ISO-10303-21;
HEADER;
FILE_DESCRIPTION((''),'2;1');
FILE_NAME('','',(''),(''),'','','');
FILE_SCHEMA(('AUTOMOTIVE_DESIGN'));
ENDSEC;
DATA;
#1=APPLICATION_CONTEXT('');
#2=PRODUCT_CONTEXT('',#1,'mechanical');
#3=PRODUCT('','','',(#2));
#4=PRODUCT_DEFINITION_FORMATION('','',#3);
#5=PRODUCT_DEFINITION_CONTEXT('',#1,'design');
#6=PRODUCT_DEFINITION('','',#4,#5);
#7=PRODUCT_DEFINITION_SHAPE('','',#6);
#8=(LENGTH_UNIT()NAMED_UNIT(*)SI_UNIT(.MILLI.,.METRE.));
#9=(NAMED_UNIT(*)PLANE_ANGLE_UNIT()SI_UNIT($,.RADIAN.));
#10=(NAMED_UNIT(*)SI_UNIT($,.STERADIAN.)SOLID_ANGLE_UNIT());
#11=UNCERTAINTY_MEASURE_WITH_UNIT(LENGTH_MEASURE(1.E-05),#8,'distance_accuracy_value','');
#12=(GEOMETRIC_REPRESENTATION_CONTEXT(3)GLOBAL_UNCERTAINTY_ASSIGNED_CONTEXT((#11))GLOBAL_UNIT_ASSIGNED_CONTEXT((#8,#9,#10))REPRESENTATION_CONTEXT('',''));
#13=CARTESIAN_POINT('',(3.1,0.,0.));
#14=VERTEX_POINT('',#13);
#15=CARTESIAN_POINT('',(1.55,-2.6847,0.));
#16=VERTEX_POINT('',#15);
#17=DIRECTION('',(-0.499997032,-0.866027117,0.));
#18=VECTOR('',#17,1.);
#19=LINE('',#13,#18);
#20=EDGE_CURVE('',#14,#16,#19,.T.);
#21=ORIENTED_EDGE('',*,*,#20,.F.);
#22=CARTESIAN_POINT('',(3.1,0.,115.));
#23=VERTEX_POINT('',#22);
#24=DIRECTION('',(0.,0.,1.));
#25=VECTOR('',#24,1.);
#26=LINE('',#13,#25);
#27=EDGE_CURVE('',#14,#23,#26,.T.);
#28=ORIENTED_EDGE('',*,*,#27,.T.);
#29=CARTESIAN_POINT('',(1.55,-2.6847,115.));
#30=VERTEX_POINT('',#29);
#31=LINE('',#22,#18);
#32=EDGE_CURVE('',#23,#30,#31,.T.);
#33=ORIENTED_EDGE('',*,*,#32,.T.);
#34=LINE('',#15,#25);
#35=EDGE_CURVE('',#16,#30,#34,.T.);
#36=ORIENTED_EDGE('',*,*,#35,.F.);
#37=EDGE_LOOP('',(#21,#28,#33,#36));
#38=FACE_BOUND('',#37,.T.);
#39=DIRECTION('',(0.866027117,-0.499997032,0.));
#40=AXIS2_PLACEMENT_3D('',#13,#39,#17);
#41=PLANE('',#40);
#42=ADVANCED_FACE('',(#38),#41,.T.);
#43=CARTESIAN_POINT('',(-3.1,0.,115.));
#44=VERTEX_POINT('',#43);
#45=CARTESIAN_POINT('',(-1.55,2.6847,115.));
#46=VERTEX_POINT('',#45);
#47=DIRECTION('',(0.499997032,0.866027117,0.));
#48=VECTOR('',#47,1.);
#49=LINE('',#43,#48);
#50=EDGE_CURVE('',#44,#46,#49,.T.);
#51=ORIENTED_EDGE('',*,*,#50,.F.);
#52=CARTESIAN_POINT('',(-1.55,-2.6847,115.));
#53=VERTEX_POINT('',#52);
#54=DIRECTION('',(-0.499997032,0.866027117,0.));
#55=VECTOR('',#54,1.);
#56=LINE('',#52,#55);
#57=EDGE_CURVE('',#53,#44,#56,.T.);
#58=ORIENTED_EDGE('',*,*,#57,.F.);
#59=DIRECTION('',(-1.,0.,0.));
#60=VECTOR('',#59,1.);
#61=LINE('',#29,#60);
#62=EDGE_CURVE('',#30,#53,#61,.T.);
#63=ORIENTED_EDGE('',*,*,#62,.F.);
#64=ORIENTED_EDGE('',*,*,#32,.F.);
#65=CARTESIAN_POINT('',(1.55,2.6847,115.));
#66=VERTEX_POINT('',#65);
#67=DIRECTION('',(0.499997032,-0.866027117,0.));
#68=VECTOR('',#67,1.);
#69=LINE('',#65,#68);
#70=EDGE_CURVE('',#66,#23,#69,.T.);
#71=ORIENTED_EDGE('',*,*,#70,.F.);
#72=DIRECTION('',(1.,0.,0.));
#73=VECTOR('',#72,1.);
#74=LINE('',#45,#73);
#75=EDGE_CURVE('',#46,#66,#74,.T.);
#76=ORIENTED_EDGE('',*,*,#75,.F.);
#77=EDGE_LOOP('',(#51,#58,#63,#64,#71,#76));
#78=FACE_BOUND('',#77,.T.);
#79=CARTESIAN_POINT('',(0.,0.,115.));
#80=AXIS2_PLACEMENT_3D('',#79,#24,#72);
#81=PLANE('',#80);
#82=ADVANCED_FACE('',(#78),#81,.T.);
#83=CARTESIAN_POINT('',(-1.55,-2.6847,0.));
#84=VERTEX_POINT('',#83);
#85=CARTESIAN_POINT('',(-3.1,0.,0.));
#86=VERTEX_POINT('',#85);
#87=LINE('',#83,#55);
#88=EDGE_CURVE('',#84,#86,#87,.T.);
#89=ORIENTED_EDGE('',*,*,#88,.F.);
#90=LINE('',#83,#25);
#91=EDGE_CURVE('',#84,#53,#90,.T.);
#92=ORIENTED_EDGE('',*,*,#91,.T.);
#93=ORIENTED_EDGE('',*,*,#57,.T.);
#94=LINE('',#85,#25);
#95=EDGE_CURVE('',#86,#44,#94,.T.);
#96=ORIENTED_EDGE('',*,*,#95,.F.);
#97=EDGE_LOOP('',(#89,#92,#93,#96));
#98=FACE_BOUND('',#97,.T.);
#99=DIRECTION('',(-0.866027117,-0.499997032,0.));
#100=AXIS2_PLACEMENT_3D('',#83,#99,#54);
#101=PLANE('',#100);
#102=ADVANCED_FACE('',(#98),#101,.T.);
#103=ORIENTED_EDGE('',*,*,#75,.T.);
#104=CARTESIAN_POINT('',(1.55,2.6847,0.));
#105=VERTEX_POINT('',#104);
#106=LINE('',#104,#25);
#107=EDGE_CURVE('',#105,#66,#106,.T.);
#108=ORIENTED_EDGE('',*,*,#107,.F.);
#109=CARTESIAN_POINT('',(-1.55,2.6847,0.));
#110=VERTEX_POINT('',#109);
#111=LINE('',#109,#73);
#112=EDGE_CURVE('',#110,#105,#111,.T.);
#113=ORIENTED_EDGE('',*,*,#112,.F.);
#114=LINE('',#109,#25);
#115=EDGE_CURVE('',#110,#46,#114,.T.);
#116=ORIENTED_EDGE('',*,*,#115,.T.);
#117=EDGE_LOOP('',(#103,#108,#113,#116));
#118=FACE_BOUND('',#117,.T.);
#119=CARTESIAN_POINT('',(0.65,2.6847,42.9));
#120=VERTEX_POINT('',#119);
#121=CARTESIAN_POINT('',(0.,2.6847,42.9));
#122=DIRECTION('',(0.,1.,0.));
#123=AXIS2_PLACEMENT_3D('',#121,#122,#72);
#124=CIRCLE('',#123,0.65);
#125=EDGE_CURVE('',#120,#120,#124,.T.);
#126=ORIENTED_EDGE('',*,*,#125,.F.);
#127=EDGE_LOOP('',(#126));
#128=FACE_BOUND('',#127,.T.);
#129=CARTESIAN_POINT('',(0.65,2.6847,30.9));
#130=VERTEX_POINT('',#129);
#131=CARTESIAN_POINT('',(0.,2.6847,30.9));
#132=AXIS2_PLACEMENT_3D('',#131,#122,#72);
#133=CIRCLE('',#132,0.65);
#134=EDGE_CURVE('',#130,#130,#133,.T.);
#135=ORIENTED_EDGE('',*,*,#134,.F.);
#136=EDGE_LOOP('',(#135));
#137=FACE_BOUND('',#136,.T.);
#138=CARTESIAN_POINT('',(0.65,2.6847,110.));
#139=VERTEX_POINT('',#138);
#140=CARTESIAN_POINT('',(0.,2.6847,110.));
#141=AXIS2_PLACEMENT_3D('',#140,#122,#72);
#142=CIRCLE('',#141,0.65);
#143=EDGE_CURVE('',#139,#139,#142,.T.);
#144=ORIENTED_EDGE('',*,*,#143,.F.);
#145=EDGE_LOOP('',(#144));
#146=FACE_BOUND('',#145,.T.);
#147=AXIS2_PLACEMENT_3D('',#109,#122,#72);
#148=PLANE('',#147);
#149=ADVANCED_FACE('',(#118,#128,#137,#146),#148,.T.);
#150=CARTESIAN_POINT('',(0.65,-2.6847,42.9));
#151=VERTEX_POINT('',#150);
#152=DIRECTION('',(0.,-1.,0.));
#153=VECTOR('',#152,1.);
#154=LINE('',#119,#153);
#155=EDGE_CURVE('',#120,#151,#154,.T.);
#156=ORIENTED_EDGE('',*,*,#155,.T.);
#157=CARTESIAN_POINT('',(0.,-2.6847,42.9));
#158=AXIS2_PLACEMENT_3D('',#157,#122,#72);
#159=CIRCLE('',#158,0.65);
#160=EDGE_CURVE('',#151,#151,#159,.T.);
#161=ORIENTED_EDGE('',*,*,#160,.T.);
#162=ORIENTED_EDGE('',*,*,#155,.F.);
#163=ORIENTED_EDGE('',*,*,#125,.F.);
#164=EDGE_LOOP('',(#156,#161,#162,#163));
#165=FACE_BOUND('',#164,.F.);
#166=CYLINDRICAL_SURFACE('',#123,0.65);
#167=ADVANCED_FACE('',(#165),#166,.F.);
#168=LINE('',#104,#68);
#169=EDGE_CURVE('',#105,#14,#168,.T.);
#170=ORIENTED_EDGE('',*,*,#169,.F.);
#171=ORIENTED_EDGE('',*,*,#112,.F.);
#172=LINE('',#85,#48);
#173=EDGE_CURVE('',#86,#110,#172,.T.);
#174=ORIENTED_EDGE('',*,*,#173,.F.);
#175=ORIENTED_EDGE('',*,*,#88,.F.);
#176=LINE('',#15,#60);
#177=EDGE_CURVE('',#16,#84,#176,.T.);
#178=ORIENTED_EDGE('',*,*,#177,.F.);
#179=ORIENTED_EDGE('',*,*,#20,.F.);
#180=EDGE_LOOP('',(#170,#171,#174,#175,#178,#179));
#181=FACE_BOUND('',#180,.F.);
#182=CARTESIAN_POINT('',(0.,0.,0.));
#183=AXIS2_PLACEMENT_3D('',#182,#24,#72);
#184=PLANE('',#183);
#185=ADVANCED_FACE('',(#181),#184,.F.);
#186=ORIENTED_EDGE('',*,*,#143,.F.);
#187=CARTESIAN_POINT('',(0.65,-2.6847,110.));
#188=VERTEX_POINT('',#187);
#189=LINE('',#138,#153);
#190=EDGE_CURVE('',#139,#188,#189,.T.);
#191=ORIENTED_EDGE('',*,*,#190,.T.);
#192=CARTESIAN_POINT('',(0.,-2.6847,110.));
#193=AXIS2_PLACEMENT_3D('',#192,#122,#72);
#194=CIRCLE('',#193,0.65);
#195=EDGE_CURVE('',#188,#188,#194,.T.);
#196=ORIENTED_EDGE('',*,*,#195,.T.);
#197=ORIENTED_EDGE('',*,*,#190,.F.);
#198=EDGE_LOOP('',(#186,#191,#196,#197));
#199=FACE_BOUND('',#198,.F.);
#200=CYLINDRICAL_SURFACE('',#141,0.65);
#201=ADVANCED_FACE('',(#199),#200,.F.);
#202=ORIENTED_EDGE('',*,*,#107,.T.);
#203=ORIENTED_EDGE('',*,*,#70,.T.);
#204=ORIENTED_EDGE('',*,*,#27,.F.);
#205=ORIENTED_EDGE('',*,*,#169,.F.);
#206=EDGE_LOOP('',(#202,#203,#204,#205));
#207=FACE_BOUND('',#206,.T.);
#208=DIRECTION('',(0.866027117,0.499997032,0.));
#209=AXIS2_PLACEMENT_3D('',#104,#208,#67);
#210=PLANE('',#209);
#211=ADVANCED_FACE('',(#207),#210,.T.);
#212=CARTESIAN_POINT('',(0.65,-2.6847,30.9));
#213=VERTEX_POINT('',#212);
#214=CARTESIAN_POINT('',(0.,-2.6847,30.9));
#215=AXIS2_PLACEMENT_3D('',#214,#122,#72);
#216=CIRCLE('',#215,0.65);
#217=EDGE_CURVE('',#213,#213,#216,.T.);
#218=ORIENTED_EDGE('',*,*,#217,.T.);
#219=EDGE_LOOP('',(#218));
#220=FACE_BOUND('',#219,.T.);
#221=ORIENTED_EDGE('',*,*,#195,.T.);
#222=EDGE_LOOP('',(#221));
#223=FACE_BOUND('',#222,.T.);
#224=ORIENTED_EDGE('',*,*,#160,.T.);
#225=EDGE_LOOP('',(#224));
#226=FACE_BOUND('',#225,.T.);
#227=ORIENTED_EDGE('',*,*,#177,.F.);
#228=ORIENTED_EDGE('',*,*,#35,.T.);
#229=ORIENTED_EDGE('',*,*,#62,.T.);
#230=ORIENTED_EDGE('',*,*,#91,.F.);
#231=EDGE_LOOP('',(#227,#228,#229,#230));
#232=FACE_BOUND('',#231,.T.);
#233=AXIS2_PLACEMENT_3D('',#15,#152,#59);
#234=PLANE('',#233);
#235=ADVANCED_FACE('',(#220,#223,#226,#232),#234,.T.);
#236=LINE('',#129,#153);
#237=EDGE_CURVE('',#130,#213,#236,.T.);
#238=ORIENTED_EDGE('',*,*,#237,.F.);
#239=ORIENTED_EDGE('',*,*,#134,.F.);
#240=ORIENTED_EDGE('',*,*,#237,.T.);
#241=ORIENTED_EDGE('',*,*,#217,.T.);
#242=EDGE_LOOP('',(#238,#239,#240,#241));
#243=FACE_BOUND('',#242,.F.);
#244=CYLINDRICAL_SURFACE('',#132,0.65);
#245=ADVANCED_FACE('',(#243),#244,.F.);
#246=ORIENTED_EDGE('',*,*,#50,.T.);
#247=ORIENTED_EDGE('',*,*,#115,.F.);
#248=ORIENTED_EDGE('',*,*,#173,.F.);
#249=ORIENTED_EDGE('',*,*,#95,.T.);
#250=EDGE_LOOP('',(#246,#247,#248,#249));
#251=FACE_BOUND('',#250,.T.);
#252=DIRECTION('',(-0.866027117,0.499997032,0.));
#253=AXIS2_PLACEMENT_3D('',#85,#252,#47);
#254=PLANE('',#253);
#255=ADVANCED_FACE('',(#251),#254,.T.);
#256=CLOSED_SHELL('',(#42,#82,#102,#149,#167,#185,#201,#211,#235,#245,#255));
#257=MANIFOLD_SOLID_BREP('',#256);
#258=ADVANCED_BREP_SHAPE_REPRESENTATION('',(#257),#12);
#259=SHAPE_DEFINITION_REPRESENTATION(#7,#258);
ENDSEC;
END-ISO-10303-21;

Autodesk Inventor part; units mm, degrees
ref_plane "YZ Plane" through (0, 0, 0) normal (1, 0, 0) x (0, 1, 0)
ref_plane "XZ Plane" through (0, 0, 0) normal (0, 1, 0) x (-1, 0, 0)
ref_plane "XY Plane" through (0, 0, 0) normal (0, 0, 1) x (1, 0, 0)
sketch "Sketch4" plane through (0, 0, 0) normal (0, 0, 1) x (1, 0, 0)
  line L0 (0, 0) -> (3.1, 0) construction
  circle A0 centre (0, 0) radius 3.1 construction
  line L1 (0, 0) -> (1.55, 2.6847) construction
  line L2 (0, 0) -> (-1.55, 2.6847) construction
  line L3 (0, 0) -> (-3.1, 0) construction
  line L4 (0, 0) -> (-1.55, -2.6847) construction
  line L5 (0, 0) -> (1.55, -2.6847) construction
  line L6 (-1.55, 2.6847) -> (1.55, 2.6847)
  line L7 (1.55, 2.6847) -> (3.1, 0)
  line L8 (3.1, 0) -> (1.55, -2.6847)
  line L9 (1.55, -2.6847) -> (-1.55, -2.6847)
  line L10 (-1.55, -2.6847) -> (-3.1, 0)
  line L11 (-3.1, 0) -> (-1.55, 2.6847)
  dimension "d21" = 3.1
  dimension "d24" = 360
extrude "Extrusion6" add sketch "Sketch4" along normal blind 115
sketch "Sketch5" plane through (-1.55, 2.6847, 0) normal (0, 1, 0) x (1, 0, 0)
  line L0 (3.1, -115) -> (0, -115) projected
  line L1 (3.1, 0) -> (0, 0) construction
  line L2 (0, -115) -> (3.1, -115) projected
  line L3 (1.55, -115) -> (1.55, 0) construction
  circle A0 centre (1.55, -30.9) radius 0.65
  circle A1 centre (1.55, -42.9) radius 0.65
  circle A2 centre (1.55, -110) radius 0.65
  line L4 (9.05, -74) -> (-5.95, -74)
  line L5 (-5.95, -80) -> (9.05, -80)
  line L6 (9.05, 0) -> (-5.95, 0)
  dimension "d28" = 1.3
  dimension "d29" = 84.1
  dimension "d30" = 72.1
  dimension "d31" = 5
extrude "Extrusion7" cut sketch "Sketch5" against normal blind 6
properties part number "Eje_Salida"
